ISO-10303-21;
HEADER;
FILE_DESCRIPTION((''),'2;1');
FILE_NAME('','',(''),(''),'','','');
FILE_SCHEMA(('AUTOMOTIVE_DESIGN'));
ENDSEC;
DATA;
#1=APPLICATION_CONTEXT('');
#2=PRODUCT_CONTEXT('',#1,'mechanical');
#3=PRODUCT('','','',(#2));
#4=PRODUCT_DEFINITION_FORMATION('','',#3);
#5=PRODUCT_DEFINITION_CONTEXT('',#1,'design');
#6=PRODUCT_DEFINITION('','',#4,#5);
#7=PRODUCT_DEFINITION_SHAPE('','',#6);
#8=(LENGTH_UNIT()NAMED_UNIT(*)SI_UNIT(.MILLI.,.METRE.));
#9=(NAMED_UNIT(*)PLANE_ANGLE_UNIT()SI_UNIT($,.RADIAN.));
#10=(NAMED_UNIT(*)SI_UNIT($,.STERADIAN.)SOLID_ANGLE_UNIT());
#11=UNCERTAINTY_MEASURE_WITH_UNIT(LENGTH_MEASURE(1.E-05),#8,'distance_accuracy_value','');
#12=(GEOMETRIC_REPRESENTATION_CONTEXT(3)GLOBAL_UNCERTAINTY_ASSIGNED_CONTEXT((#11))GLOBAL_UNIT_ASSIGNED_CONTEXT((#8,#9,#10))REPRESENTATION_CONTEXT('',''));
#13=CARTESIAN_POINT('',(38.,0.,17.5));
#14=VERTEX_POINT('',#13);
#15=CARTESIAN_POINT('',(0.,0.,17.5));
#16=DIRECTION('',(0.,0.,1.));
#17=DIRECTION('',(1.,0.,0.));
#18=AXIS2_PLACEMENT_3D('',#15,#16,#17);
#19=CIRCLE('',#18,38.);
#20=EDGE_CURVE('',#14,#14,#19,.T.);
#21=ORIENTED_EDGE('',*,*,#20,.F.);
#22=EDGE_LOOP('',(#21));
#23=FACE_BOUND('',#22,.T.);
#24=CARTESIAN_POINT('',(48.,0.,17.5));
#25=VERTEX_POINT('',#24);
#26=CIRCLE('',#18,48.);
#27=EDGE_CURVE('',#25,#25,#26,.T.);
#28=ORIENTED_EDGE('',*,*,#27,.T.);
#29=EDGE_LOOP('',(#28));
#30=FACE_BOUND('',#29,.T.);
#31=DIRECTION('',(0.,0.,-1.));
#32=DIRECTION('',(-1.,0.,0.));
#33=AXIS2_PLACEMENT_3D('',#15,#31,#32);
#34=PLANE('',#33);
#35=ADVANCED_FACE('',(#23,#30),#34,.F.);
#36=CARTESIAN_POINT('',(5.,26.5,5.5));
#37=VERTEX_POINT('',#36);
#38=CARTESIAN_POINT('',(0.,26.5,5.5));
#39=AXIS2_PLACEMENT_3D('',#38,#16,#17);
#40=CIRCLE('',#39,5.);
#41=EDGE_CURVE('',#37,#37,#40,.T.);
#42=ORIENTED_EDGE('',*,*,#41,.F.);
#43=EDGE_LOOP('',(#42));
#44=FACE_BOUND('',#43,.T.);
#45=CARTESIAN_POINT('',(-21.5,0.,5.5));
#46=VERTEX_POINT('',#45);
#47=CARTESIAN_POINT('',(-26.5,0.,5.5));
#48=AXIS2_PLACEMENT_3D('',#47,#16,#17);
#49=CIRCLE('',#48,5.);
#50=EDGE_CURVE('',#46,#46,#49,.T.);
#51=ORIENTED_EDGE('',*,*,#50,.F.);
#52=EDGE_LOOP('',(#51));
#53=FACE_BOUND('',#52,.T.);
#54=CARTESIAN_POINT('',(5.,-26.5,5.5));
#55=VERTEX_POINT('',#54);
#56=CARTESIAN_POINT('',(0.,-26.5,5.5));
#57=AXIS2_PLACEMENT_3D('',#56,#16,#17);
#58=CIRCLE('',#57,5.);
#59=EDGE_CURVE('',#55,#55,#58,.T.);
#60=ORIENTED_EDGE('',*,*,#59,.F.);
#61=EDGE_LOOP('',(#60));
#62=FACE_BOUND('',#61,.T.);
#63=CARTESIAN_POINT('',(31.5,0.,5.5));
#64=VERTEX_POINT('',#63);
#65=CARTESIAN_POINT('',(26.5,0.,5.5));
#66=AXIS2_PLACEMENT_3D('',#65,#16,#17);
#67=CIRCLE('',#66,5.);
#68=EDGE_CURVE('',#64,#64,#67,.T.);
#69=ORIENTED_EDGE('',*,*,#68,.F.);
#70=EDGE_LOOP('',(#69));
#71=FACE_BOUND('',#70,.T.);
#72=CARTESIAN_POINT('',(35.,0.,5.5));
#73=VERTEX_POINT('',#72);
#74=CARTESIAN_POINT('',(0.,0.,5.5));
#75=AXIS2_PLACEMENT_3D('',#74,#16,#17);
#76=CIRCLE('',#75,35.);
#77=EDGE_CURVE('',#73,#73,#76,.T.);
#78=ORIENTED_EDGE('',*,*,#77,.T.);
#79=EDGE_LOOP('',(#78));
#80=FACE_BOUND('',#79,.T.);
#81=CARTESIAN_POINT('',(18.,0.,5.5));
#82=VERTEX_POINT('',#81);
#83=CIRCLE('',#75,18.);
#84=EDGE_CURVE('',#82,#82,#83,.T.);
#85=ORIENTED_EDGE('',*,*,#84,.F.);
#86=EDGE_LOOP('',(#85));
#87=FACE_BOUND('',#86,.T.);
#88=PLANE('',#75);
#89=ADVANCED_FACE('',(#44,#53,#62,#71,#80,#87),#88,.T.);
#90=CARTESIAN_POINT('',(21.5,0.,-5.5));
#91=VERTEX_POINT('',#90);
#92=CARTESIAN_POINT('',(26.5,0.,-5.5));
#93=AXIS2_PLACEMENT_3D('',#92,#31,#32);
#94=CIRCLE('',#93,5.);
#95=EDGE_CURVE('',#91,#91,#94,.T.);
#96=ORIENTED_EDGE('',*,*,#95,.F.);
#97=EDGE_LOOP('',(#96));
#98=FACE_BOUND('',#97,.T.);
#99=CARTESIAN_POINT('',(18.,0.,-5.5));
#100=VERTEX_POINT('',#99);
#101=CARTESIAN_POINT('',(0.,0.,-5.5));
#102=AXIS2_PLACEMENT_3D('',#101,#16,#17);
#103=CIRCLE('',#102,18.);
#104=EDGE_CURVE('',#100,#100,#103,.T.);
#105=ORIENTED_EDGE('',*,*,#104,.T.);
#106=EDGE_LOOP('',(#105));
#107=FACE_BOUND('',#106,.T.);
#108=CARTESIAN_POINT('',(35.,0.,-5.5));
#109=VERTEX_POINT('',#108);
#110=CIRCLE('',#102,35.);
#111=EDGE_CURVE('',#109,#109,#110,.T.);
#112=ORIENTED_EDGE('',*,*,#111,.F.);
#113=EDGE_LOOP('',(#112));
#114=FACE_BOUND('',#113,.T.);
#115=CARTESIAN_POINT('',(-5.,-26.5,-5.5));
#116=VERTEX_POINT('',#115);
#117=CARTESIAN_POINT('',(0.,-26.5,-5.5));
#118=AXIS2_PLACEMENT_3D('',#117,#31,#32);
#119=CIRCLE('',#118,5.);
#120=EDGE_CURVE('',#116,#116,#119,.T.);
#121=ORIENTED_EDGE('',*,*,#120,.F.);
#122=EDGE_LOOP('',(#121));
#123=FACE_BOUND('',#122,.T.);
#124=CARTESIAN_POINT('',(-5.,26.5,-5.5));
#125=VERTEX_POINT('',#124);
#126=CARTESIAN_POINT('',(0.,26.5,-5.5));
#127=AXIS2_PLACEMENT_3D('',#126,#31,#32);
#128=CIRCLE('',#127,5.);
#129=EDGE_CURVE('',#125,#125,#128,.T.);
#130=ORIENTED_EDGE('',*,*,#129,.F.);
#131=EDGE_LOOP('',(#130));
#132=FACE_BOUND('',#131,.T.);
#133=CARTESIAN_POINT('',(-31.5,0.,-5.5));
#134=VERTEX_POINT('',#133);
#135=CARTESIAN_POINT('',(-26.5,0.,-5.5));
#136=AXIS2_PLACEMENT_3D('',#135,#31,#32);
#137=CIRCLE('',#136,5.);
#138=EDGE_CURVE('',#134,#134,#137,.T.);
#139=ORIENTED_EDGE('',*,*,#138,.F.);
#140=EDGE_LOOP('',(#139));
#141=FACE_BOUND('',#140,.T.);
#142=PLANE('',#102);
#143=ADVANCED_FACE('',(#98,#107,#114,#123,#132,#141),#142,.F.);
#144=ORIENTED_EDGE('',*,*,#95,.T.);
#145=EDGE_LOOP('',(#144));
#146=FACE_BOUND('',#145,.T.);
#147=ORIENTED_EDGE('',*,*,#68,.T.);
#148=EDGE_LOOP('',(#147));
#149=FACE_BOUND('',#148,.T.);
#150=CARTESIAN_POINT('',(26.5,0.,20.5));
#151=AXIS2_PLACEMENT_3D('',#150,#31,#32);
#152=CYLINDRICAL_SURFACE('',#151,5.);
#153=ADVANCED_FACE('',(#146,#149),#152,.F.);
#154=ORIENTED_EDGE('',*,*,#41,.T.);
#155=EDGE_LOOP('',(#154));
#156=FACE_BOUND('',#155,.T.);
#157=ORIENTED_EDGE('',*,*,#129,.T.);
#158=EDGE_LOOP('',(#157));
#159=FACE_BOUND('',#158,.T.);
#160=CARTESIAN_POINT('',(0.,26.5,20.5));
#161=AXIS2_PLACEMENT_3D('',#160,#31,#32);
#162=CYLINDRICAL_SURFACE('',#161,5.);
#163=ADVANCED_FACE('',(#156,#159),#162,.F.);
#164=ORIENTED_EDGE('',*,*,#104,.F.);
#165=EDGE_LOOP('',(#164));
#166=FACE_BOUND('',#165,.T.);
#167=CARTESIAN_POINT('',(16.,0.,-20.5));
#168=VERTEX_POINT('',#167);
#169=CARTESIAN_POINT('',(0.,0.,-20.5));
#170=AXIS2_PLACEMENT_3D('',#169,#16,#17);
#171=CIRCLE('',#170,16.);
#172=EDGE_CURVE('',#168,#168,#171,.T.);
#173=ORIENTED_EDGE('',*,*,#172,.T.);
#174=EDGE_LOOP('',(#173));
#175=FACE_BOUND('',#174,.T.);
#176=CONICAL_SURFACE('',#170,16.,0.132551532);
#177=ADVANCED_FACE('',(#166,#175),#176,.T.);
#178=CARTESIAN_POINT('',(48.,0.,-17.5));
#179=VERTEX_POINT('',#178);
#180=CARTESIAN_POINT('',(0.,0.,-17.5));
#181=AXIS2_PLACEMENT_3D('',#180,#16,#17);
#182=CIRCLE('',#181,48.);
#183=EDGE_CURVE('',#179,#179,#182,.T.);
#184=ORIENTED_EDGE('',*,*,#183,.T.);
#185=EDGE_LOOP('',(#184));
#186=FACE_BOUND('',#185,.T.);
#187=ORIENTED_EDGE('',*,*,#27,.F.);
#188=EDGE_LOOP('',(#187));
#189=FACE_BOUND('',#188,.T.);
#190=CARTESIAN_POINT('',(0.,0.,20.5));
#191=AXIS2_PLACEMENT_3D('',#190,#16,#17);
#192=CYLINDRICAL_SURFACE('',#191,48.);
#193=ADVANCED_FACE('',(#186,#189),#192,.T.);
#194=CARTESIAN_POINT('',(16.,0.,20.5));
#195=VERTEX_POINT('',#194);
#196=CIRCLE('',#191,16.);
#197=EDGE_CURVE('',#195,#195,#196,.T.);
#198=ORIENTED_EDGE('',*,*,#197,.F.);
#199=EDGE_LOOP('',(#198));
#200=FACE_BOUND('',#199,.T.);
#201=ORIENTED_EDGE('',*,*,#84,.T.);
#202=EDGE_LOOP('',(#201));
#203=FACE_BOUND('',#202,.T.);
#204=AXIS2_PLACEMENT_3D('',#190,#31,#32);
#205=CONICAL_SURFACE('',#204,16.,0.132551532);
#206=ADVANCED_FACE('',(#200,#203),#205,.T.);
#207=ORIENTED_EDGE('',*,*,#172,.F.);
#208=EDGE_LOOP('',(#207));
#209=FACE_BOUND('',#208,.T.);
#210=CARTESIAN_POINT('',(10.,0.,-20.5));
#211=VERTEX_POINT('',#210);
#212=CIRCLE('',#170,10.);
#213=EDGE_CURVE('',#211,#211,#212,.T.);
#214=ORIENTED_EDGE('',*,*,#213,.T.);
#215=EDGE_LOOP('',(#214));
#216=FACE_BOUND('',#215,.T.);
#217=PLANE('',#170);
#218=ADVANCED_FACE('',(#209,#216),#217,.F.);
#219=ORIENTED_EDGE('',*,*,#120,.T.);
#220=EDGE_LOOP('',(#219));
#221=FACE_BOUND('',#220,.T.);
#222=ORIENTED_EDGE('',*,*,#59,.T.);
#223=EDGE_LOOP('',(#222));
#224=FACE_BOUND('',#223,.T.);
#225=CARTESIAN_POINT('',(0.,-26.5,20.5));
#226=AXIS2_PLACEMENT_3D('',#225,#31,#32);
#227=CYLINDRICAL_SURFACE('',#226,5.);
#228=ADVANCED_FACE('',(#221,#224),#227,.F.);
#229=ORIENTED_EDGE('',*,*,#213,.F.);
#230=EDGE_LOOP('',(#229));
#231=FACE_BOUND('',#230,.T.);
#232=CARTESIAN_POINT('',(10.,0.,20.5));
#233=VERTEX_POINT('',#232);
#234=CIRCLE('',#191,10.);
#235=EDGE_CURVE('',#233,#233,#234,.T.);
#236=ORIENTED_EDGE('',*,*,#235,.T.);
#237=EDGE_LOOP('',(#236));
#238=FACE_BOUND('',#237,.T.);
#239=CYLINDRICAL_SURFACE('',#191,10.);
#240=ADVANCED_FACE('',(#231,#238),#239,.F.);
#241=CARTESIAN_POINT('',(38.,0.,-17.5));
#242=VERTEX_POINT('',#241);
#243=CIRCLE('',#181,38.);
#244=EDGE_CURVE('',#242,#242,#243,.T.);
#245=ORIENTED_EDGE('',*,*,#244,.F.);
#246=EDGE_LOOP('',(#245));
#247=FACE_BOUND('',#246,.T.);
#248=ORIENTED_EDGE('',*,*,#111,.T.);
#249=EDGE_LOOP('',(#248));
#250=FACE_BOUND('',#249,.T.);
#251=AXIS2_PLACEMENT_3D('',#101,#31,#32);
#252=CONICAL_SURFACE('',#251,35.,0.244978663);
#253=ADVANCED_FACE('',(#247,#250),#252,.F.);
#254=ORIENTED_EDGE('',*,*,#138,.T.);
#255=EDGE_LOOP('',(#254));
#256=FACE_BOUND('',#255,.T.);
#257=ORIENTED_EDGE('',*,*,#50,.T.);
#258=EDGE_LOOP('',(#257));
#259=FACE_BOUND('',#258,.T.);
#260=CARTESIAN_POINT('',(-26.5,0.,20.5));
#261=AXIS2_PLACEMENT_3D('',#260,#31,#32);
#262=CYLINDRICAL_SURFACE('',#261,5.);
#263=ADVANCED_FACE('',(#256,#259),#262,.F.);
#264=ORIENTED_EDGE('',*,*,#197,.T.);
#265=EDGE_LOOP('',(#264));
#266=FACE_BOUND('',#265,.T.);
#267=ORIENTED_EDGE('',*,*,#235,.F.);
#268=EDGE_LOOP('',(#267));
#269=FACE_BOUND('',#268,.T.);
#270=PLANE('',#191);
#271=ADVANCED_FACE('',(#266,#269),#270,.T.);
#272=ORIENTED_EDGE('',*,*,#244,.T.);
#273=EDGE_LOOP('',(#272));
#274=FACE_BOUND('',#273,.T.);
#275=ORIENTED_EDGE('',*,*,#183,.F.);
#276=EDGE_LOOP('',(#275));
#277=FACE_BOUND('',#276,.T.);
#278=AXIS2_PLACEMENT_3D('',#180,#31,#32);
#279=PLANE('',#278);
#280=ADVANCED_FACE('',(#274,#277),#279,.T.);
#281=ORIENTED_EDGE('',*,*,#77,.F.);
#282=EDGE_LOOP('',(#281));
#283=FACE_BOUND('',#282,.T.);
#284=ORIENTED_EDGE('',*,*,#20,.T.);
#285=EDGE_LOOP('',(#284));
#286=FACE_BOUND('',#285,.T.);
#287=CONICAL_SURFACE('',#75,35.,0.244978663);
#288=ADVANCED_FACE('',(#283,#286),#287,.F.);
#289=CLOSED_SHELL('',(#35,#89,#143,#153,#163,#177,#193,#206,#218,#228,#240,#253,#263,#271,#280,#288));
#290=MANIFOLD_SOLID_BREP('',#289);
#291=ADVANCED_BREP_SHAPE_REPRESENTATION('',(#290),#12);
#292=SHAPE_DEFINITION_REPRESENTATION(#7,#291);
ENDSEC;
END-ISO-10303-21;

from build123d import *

# Parameters (mm, degrees)
SKETCH2_R          = 5
CUT_EXTRUDE1_DEPTH = 27


with BuildPart() as part:
    # Sketch1 → Revolve1 (revolve)
    with BuildSketch(Plane(origin=(0, 0, 0), x_dir=(0, 0, -1), z_dir=(1, 0, 0))):
        Polygon((-17.5, 48), (17.5, 48), (17.5, 38), (5.5, 35), (-5.5, 35), (-17.5, 38), align=None)
        Polygon((-5.5, 18), (-5.5, 10), (5.5, 10), (5.5, 18), (5.5, 35), (-5.5, 35), align=None)
        Polygon((5.5, 18), (5.5, 10), (20.5, 10), (20.5, 16), align=None)
        Polygon((-20.5, 16), (-20.5, 10), (-5.5, 10), (-5.5, 18), align=None)
    revolve(axis=Axis((0, 0, 20.5), (0, 0, -1)))

    # Sketch2 → Cut-Extrude1 (cut, through all)
    with BuildSketch(Plane(origin=(0, 0, -5.5), x_dir=(-1, 0, 0), z_dir=(0, 0, -1))):
        with Locations((0, 26.5)):
            Circle(SKETCH2_R)
        with Locations((26.5, 0)):
            Circle(SKETCH2_R)
        with Locations((0, -26.5)):
            Circle(SKETCH2_R)
        with Locations((-26.5, 0)):
            Circle(SKETCH2_R)
    extrude(amount=-CUT_EXTRUDE1_DEPTH, mode=Mode.SUBTRACT)


solid = part.part
